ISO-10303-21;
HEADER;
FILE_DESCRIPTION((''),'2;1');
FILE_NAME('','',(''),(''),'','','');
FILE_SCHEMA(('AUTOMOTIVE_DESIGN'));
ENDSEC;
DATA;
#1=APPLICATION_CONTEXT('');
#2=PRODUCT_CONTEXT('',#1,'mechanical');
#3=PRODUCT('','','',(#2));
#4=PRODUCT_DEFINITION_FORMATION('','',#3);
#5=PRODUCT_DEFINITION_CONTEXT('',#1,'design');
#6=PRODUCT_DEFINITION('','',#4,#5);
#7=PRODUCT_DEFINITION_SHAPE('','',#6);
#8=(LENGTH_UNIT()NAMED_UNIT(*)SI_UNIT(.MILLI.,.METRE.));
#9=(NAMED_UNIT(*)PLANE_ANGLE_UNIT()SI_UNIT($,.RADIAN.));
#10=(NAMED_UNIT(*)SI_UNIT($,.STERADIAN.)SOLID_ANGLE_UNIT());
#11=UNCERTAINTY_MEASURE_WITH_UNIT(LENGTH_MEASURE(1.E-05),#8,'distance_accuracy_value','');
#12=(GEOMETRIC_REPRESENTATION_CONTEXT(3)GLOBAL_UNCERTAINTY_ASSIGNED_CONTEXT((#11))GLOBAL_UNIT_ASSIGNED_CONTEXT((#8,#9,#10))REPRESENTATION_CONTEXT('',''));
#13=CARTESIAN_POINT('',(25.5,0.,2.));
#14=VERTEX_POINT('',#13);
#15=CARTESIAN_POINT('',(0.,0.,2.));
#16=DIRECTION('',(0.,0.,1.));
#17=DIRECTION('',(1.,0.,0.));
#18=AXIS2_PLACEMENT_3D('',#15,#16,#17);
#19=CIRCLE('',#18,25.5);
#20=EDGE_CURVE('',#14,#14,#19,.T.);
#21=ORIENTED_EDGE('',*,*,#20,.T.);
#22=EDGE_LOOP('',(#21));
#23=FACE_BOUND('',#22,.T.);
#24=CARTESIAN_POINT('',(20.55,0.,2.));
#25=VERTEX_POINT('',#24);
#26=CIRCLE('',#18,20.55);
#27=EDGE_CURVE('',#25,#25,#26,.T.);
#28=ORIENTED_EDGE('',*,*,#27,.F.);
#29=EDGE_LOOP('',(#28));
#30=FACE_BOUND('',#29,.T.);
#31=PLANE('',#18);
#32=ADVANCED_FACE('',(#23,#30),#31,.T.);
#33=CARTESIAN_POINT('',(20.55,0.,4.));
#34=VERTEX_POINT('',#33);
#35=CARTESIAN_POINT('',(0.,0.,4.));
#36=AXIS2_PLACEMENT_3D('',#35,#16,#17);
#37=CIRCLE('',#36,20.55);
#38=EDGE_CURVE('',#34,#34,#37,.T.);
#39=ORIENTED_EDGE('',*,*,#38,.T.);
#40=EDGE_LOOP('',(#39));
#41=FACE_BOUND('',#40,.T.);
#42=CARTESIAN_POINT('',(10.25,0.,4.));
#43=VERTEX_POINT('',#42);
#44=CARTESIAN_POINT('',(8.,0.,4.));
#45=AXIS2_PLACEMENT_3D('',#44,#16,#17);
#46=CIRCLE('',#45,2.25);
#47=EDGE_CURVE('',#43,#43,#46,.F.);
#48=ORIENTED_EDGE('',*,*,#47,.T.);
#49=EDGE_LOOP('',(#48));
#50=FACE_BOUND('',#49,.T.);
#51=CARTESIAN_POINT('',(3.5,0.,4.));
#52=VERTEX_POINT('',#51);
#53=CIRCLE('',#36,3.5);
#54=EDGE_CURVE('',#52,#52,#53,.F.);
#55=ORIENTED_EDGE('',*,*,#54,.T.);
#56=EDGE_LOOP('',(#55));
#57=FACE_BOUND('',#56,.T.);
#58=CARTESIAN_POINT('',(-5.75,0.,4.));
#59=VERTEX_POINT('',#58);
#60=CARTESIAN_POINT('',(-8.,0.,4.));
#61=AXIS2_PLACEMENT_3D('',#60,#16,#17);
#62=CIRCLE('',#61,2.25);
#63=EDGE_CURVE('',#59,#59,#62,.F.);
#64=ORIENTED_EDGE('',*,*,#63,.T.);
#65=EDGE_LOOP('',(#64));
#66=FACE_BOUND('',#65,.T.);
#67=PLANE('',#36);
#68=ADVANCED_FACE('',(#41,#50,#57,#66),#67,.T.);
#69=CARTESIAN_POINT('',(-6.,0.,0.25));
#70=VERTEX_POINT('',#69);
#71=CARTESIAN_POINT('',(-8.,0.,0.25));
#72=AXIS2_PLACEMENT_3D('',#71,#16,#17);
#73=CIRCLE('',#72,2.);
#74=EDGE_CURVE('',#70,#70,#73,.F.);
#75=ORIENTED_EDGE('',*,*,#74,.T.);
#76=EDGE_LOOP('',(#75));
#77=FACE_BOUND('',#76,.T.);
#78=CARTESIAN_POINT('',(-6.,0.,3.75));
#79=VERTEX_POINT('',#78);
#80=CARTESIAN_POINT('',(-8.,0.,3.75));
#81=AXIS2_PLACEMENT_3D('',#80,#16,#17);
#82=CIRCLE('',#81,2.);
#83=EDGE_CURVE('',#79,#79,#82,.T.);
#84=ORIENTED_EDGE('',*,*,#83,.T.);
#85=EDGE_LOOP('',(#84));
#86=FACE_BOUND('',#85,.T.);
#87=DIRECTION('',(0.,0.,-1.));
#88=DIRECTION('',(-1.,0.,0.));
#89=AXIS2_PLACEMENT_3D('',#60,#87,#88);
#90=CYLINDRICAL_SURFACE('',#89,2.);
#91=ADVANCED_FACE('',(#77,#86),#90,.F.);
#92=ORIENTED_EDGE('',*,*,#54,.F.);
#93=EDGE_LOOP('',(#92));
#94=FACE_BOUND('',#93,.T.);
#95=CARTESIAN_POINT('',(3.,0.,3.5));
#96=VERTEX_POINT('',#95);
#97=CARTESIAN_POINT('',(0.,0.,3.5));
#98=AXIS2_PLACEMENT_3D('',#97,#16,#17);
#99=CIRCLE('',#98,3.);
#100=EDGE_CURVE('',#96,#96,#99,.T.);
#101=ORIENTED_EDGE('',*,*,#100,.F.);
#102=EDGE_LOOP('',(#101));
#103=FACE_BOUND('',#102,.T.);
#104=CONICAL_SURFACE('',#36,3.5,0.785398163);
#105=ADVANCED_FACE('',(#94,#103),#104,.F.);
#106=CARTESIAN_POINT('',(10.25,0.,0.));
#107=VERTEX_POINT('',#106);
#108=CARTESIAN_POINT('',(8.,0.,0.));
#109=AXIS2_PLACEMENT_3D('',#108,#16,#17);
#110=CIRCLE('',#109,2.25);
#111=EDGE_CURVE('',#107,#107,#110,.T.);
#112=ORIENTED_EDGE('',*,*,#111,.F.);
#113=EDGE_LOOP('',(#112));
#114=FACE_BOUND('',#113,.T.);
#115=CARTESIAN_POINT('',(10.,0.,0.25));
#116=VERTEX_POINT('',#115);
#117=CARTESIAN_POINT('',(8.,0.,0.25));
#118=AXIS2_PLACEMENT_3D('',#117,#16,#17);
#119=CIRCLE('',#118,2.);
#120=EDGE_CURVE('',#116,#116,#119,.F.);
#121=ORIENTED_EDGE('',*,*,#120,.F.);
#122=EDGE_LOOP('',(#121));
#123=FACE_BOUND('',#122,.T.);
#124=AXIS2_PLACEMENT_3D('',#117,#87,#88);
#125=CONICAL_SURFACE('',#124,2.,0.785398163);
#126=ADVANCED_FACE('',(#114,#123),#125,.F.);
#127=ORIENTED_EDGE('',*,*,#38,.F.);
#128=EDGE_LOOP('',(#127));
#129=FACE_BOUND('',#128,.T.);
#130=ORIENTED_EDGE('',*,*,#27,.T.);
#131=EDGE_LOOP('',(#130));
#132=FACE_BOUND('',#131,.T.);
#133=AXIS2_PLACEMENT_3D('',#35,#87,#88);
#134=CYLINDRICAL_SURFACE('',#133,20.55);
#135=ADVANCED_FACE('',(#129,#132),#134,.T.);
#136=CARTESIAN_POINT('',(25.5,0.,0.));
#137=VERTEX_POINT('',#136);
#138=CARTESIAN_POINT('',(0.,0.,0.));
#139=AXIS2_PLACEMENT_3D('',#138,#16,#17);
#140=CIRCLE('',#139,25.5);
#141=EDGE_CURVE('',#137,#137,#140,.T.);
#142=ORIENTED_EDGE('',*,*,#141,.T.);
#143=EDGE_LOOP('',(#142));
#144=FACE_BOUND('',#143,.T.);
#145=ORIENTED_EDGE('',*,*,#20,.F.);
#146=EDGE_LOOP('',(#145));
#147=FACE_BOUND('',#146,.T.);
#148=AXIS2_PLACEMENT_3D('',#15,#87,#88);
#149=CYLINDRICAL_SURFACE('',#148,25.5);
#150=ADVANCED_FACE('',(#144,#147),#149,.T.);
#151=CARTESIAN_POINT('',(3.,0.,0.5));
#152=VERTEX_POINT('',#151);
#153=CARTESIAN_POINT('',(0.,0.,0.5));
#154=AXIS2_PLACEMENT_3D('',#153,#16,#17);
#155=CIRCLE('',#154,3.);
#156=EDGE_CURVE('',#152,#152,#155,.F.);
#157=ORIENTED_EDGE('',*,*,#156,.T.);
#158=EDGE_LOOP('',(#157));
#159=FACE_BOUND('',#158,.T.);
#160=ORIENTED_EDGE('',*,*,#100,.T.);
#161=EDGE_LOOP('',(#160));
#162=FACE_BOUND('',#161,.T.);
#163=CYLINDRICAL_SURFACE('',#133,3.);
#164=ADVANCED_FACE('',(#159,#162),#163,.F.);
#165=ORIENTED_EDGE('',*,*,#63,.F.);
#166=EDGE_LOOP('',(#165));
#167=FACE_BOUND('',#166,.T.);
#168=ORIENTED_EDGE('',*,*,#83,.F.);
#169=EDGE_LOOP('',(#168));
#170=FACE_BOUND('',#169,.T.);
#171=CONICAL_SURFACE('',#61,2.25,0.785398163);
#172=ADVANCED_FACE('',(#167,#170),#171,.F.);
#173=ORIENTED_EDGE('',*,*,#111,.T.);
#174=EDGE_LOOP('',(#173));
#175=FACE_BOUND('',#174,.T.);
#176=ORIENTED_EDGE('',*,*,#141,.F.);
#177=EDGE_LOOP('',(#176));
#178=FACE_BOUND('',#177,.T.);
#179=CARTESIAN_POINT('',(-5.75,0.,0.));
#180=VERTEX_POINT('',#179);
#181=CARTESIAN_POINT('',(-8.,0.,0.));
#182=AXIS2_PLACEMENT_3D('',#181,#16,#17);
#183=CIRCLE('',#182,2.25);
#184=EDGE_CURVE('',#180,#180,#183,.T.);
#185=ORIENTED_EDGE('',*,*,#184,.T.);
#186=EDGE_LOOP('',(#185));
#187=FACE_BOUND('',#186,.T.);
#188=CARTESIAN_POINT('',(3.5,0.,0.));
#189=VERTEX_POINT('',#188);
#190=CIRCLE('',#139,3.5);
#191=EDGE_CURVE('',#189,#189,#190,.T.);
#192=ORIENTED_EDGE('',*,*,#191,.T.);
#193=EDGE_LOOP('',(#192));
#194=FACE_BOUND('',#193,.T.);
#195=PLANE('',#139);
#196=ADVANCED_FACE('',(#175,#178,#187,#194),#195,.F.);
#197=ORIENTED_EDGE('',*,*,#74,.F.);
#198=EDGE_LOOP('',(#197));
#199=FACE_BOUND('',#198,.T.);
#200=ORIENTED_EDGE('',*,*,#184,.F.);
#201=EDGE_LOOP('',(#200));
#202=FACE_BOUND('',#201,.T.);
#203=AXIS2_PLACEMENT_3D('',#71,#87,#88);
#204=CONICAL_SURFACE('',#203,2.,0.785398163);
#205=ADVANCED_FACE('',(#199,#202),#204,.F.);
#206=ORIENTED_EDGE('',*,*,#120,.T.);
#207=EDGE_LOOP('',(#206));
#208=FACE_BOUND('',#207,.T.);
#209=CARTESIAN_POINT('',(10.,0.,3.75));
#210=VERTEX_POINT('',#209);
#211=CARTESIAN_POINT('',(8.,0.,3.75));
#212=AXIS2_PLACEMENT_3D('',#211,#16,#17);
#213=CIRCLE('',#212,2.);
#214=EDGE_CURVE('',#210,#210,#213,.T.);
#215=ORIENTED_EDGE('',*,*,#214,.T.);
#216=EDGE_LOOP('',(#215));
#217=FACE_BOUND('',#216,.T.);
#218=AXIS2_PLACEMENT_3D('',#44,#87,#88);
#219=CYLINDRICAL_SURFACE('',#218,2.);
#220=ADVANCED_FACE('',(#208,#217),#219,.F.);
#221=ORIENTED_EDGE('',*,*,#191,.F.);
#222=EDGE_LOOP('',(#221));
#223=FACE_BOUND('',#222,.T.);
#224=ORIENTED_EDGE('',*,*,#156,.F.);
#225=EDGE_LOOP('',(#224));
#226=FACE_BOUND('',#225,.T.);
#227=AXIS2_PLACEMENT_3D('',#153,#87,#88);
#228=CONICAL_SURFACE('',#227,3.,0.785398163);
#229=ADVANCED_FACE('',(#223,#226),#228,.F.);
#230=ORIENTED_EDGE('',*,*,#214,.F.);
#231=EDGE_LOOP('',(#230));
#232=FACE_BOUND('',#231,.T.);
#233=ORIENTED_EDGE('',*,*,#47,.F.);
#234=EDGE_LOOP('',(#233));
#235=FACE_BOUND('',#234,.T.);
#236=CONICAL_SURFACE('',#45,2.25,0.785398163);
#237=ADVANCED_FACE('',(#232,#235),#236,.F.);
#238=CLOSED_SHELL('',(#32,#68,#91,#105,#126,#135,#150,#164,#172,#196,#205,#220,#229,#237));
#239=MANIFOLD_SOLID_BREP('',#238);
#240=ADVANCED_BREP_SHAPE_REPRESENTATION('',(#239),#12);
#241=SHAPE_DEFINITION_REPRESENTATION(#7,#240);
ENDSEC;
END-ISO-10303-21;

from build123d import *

# Parameters (mm, degrees)
SKETCH1_R           = 25.5
BOSS_EXTRUDE1_DEPTH = 2
SKETCH2_R           = 20.55
BOSS_EXTRUDE2_DEPTH = 2
SKETCH3_R           = 3
SKETCH3_R_2         = 2
CUT_EXTRUDE1_DEPTH  = 5
CHAMFER1_SIZE       = 0.25
CHAMFER2_SIZE       = 0.25
CHAMFER3_SIZE       = 0.5


with BuildPart() as part:
    # Sketch1 → Boss-Extrude1 (new body)
    with BuildSketch(Plane.XY):
        Circle(SKETCH1_R)
    extrude(amount=BOSS_EXTRUDE1_DEPTH)

    # Sketch2 → Boss-Extrude2 (add)
    with BuildSketch(Plane.XY.offset(2)):
        Circle(SKETCH2_R)
    extrude(amount=BOSS_EXTRUDE2_DEPTH)

    # Sketch3 → Cut-Extrude1 (cut, through all)
    with BuildSketch(Plane(origin=(0, 0, 0), x_dir=(-1, 0, 0), z_dir=(0, 0, -1))):
        Circle(SKETCH3_R)
        with Locations((8, 0)):
            Circle(SKETCH3_R_2)
        with Locations((-8, 0)):
            Circle(SKETCH3_R_2)
    extrude(amount=-CUT_EXTRUDE1_DEPTH, mode=Mode.SUBTRACT)

    # Chamfer1
    chamfer1_edges = [part.edges().sort_by_distance(p)[0] for p in [
        (10, 0, 4),
        (10, 0, 0),
    ]]
    chamfer(chamfer1_edges, length=CHAMFER1_SIZE)

    # Chamfer2
    chamfer2_edges = [part.edges().sort_by_distance(p)[0] for p in [
        (-6, 0, 4),
        (-6, 0, 0),
    ]]
    chamfer(chamfer2_edges, length=CHAMFER2_SIZE)

    # Chamfer3
    chamfer3_edges = [part.edges().sort_by_distance(p)[0] for p in [
        (3, 0, 4),
        (3, 0, 0),
    ]]
    chamfer(chamfer3_edges, length=CHAMFER3_SIZE)


solid = part.part
